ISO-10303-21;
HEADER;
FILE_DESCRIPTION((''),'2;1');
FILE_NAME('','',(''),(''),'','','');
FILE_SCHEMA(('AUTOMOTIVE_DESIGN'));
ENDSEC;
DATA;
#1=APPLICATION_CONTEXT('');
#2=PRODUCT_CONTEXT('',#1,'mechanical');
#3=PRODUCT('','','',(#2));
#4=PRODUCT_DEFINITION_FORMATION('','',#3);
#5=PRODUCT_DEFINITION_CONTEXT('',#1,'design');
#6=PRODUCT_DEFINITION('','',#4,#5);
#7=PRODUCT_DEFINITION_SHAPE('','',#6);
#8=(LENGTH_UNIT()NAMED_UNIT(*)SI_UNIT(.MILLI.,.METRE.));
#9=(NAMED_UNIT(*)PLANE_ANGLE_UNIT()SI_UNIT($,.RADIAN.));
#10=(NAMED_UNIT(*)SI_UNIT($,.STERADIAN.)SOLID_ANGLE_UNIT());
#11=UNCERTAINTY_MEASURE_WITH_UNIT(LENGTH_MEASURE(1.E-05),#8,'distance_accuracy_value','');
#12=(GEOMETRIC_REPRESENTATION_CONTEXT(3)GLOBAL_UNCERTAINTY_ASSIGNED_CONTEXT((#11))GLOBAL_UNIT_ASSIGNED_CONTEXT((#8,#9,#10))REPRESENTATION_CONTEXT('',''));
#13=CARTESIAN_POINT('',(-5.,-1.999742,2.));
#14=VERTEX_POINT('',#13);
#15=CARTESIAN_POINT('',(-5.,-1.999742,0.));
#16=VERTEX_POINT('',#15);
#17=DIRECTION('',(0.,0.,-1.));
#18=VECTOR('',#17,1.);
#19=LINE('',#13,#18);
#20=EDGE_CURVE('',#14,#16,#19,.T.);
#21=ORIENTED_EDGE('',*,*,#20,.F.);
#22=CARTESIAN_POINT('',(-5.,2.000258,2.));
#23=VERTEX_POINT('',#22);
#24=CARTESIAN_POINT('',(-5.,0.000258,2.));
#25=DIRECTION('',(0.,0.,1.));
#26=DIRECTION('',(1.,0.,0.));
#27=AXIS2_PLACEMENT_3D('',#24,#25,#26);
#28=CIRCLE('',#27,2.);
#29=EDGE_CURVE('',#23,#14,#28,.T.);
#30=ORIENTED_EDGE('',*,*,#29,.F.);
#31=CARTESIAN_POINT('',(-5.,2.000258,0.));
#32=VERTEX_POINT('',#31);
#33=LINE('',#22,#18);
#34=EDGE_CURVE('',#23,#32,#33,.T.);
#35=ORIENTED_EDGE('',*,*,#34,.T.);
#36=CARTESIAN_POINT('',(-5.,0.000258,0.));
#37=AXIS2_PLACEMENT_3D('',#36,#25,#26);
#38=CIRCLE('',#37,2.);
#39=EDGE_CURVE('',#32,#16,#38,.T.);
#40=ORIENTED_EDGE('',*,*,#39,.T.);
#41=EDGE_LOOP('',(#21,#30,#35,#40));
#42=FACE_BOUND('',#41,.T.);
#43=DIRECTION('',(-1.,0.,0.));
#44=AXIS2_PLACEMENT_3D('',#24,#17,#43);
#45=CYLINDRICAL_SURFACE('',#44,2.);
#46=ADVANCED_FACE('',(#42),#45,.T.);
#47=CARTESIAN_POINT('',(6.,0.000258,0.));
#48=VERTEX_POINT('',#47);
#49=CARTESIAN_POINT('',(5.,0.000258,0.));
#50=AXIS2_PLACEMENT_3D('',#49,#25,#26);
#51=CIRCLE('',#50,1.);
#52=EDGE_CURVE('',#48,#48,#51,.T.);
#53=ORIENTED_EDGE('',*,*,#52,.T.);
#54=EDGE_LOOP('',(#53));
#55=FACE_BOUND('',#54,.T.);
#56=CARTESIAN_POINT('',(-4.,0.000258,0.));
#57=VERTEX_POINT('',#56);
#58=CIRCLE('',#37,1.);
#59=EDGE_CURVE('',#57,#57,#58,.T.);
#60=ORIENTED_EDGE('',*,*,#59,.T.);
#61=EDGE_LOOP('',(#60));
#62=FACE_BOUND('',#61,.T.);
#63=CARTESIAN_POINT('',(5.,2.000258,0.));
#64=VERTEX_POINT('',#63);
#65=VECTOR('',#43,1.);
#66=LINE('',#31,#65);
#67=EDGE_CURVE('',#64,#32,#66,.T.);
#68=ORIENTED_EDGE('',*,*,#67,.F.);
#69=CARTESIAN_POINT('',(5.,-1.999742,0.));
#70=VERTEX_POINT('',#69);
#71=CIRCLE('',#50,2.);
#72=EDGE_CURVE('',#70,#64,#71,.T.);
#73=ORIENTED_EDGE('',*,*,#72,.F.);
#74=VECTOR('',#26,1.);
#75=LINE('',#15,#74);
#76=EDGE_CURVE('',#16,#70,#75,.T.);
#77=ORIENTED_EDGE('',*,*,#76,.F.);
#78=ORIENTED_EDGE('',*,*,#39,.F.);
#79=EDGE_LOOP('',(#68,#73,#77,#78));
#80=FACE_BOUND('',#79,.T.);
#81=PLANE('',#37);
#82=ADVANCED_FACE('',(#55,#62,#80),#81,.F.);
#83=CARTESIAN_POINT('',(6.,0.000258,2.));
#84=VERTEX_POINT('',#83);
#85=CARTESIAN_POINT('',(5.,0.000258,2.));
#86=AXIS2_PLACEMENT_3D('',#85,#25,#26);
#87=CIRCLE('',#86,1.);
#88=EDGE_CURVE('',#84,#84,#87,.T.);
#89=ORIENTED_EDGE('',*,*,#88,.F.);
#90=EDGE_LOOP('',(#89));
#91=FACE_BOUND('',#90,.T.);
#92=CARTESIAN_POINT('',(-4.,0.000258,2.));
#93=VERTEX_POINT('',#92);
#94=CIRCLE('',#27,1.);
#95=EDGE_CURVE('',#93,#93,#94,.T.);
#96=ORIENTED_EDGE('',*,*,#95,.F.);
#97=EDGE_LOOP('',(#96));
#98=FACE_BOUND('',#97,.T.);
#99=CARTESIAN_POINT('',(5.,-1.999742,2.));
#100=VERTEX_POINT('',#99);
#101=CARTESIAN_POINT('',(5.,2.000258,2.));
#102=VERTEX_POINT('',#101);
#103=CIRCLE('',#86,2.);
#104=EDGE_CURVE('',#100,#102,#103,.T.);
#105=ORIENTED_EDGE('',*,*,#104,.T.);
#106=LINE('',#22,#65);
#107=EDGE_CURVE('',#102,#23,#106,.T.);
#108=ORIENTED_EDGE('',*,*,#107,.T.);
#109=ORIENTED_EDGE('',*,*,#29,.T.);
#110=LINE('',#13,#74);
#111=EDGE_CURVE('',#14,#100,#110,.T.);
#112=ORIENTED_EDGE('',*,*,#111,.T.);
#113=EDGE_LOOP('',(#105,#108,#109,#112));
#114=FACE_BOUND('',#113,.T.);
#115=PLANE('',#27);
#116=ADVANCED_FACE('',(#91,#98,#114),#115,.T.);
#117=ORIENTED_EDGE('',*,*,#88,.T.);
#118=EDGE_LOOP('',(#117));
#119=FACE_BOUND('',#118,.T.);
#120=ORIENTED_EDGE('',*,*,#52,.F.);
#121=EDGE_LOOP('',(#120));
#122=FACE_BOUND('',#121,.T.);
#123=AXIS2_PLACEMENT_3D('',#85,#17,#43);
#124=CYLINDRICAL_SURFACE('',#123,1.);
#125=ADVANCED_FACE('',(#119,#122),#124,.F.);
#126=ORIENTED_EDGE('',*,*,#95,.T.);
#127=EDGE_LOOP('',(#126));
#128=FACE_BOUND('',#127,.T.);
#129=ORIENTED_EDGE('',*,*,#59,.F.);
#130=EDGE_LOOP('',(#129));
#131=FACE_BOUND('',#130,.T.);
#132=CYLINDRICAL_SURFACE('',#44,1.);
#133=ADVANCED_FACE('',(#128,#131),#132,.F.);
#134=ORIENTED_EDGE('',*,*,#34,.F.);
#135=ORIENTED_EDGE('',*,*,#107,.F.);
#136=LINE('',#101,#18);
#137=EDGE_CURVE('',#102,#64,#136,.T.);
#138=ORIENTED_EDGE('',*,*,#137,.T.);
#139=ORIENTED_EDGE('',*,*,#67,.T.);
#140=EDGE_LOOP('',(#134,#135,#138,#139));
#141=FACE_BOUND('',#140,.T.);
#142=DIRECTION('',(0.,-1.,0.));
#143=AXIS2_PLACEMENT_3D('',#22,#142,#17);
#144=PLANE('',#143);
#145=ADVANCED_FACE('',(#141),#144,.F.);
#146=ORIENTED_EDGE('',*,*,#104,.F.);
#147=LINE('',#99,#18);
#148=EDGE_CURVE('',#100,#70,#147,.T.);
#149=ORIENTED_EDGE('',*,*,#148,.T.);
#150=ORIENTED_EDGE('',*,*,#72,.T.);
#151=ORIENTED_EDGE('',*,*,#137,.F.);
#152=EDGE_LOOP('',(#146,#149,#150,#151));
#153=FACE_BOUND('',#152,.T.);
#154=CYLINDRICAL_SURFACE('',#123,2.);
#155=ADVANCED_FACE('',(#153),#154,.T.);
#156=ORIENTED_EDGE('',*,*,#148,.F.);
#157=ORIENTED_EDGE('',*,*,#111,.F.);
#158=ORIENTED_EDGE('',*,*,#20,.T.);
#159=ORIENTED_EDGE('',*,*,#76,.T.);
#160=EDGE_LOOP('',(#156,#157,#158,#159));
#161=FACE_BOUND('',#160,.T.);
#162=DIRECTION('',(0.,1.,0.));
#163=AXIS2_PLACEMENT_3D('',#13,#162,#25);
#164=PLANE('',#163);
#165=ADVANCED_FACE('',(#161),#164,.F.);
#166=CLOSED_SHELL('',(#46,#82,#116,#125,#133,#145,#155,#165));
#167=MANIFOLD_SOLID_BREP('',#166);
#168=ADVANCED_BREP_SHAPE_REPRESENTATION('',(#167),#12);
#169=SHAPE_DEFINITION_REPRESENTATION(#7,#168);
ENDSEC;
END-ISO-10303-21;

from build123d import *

# Parameters (mm, degrees)
SKETCH_1_R      = 1
EXTRUDE_1_DEPTH = 2


with BuildPart() as part:
    # 草圖1 → 填料-伸長1 (new body)
    with BuildSketch(Plane.XY):
        with BuildLine():
            Line((-4.999999993, 2.000257988), (5.000000007, 2.000257988))
            ThreePointArc((5.000000007, 2.000257988), (7.000000007, 0.000257988), (5.000000007, -1.999742012))
            Line((5.000000007, -1.999742012), (-4.999999993, -1.999742012))
            ThreePointArc((-4.999999993, -1.999742012), (-6.999999993, 0.000257988), (-4.999999993, 2.000257988))
        make_face()
        with Locations((-4.999999993, 0.000257988)):
            Circle(SKETCH_1_R, mode=Mode.SUBTRACT)
        with Locations((5.000000007, 0.000257988)):
            Circle(SKETCH_1_R, mode=Mode.SUBTRACT)
    extrude(amount=EXTRUDE_1_DEPTH)


solid = part.part
